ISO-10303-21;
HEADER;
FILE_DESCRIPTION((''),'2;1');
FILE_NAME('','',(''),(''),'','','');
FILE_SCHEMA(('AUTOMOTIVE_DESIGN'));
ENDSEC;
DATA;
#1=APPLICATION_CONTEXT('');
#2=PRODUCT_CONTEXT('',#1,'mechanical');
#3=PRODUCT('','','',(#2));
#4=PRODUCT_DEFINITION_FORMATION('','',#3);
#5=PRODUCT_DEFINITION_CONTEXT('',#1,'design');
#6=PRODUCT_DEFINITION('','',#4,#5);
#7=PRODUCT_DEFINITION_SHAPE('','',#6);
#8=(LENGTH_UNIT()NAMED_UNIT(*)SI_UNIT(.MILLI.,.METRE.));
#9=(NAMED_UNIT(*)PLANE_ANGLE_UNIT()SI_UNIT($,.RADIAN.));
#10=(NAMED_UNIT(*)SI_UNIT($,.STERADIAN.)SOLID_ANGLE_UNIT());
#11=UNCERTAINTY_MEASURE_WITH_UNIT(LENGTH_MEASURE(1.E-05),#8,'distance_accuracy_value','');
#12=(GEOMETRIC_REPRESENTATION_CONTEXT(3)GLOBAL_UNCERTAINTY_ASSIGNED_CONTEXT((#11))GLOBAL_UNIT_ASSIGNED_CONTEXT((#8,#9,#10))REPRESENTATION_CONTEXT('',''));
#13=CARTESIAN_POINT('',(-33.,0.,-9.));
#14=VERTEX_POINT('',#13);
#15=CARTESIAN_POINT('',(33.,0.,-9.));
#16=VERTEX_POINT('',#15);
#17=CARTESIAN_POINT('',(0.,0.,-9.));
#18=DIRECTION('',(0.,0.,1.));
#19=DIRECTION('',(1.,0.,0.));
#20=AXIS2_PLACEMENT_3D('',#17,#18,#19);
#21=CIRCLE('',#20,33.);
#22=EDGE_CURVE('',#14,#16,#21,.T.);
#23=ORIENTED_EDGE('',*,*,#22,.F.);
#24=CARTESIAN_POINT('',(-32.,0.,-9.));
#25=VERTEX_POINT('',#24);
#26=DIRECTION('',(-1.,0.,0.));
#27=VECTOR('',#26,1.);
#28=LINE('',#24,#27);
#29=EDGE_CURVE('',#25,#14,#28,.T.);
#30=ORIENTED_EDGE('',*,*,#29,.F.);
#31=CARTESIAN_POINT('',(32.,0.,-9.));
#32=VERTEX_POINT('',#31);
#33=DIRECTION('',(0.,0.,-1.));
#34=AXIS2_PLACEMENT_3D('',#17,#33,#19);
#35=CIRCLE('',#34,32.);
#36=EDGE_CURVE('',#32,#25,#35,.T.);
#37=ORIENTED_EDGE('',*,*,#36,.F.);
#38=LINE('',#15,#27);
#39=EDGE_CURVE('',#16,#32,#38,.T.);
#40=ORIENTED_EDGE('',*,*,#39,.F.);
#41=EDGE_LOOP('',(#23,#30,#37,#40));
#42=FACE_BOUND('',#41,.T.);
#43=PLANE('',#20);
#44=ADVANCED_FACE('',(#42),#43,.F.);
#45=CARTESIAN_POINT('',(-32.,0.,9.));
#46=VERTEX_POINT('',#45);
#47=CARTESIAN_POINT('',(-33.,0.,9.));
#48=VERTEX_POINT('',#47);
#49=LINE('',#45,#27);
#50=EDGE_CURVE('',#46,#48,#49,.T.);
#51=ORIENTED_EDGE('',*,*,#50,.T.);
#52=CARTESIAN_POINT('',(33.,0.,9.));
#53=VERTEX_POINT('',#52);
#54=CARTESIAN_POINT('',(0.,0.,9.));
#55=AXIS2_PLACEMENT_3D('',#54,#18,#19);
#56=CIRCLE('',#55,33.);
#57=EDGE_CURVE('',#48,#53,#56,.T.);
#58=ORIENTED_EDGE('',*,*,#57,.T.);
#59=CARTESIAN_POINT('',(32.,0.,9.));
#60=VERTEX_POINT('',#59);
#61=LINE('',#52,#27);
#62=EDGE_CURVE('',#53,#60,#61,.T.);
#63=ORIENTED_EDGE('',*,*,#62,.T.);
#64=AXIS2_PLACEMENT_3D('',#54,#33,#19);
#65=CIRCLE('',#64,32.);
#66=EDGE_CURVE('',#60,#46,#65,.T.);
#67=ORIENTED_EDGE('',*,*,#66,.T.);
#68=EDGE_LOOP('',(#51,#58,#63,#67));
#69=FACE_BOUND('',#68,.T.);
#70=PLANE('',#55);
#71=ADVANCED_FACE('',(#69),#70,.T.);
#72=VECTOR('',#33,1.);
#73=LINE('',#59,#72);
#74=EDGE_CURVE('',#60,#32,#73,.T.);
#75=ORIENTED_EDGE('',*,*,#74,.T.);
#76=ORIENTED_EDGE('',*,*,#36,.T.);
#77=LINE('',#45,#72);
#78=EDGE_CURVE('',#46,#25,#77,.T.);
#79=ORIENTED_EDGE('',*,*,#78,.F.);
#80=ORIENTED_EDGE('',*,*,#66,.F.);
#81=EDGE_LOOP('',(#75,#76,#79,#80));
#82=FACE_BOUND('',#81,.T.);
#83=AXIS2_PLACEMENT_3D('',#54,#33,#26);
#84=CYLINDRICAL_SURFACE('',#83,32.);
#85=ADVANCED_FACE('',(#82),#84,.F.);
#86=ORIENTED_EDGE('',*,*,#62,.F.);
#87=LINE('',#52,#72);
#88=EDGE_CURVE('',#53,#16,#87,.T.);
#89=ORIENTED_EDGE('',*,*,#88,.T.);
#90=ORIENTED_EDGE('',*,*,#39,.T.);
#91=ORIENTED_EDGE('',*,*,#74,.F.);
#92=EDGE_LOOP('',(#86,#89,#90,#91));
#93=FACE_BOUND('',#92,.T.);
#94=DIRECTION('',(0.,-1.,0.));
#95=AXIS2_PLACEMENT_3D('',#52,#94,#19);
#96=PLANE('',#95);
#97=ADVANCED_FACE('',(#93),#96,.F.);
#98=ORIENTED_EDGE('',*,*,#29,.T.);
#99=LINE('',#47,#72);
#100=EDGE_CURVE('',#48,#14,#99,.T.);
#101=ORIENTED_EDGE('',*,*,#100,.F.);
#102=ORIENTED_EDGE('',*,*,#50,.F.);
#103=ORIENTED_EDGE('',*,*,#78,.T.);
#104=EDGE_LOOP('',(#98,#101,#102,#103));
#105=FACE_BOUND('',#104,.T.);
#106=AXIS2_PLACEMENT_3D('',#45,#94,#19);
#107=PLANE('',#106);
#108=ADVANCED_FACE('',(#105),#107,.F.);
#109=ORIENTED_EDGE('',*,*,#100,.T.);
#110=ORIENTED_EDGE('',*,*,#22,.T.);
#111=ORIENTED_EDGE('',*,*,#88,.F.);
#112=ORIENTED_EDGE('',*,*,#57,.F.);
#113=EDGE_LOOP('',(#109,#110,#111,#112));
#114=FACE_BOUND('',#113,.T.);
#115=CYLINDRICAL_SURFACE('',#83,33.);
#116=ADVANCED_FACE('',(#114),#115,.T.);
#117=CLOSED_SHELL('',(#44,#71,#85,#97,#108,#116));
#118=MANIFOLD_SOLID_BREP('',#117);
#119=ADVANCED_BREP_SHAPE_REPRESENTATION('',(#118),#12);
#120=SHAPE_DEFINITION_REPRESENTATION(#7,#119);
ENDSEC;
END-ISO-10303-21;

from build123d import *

# Parameters (mm, degrees)
SALIENTE_EXTRUIR1_DEPTH = 9


with BuildPart() as part:
    # Croquis1 → Saliente-Extruir1 (new, symmetric)
    with BuildSketch(Plane.XY):
        with BuildLine():
            Line((-32, 0), (-33, 0))
            ThreePointArc((-33, 0), (0, -33), (33, 0))
            Line((33, 0), (32, 0))
            ThreePointArc((32, 0), (0, -32), (-32, 0))
        make_face()
    extrude(amount=SALIENTE_EXTRUIR1_DEPTH, both=True)


solid = part.part
